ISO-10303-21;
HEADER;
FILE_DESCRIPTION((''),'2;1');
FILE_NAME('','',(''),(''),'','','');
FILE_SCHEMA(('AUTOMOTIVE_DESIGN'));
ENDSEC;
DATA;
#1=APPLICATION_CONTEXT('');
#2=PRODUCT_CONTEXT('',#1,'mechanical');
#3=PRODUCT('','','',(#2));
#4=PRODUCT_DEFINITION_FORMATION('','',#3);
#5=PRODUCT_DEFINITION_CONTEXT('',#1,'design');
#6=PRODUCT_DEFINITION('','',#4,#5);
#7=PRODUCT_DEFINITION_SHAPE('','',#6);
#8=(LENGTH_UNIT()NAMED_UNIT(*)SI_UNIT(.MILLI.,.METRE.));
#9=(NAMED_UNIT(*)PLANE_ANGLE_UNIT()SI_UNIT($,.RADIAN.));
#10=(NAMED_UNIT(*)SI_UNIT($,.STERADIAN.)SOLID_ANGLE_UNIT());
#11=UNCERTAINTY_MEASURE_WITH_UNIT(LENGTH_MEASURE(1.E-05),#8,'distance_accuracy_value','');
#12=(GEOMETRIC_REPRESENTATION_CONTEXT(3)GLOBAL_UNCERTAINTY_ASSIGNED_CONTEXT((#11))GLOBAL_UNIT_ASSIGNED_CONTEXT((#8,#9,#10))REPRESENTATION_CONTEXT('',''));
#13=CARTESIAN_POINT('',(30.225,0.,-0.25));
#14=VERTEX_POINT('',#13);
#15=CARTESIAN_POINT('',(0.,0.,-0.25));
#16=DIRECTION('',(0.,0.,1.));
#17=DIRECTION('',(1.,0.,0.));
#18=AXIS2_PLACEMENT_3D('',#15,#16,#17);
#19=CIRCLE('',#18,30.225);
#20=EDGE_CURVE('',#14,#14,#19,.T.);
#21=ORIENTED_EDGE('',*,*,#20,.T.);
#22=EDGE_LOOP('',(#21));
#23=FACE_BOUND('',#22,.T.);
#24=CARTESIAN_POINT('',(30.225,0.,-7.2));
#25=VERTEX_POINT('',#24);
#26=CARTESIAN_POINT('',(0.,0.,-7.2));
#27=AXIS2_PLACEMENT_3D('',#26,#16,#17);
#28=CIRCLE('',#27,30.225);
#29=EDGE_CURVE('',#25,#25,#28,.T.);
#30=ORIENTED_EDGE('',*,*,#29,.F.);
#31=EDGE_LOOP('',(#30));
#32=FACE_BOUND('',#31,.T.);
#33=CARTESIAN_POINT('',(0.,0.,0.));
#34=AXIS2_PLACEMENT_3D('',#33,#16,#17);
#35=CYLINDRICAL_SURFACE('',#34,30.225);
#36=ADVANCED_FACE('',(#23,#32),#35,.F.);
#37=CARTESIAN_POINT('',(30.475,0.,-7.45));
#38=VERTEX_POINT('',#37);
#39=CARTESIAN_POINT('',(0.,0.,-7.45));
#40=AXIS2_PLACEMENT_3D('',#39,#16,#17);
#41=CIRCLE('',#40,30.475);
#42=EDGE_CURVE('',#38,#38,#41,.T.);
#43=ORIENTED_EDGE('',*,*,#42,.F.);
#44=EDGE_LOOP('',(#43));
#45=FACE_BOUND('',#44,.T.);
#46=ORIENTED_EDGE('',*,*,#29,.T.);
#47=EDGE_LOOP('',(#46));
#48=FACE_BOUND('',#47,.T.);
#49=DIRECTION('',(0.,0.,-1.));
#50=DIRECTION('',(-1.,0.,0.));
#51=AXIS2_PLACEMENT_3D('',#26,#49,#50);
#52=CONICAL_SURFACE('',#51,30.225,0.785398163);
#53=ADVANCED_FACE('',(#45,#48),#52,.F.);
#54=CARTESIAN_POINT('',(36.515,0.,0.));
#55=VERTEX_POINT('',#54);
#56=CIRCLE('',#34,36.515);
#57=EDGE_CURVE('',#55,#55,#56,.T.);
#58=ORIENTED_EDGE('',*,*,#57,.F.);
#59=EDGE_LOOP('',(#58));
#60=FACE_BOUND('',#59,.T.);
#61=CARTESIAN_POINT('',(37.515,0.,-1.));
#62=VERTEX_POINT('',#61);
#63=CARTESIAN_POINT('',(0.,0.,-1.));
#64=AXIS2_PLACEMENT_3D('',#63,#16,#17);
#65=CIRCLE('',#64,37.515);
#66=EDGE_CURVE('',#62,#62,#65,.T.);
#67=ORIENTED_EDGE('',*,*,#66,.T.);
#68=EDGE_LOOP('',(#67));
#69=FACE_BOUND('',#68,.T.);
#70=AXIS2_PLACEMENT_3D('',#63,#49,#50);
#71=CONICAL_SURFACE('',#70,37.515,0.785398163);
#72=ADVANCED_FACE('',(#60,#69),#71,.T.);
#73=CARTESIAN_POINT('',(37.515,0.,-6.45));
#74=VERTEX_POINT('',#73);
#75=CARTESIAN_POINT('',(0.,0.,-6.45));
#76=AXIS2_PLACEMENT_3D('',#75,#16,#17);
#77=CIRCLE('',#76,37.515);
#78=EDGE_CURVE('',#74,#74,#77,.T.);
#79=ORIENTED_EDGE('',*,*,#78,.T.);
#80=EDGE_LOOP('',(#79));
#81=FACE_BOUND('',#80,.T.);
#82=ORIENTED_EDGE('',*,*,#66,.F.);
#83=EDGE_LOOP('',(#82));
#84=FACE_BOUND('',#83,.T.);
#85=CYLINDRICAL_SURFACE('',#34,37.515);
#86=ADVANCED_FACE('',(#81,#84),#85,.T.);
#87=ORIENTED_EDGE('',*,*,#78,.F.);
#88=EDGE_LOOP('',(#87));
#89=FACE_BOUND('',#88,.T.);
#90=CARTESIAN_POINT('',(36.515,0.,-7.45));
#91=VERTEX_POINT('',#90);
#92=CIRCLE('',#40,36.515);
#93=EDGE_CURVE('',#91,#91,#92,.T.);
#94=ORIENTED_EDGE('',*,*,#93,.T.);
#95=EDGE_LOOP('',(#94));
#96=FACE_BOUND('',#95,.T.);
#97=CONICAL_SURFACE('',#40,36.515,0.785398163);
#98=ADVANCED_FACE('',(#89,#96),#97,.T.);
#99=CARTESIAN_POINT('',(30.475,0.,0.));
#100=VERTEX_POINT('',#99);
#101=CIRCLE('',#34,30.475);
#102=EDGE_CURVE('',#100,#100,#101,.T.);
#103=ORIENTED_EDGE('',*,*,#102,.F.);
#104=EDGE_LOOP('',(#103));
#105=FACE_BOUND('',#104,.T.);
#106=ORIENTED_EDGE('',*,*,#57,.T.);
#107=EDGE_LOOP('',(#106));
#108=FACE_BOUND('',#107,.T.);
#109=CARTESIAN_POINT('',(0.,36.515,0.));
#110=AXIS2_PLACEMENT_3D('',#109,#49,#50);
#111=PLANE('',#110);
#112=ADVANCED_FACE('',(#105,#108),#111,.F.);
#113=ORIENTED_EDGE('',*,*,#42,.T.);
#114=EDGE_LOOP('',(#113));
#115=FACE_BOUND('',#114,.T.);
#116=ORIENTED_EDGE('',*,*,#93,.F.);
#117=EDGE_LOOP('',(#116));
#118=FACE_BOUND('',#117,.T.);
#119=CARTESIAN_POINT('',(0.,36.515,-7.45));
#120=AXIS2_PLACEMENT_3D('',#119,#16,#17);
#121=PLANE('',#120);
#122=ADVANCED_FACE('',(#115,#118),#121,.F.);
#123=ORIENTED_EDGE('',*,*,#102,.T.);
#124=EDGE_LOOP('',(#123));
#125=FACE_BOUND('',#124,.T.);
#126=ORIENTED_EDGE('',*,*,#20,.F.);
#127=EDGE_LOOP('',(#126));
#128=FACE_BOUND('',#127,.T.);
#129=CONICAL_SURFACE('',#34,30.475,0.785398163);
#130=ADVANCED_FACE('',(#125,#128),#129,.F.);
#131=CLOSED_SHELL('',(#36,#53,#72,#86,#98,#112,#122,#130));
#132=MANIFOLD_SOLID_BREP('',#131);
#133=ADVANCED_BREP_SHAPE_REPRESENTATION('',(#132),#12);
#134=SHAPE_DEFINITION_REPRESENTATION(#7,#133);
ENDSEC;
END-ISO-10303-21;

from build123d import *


with BuildPart() as part:
    # Sketch1 → Revolve1 (revolve)
    with BuildSketch(Plane(origin=(0, 0, 0), x_dir=(0, 0, -1), z_dir=(1, 0, 0)), mode=Mode.PRIVATE) as revolve1_sk:
        Polygon((0, 30.475), (0.25, 30.225), (7.2, 30.225), (7.45, 30.475), (7.45, 36.515), (6.45, 37.515), (1, 37.515), (0, 36.515), align=None)
    revolve(revolve1_sk.sketch.rotate(Axis((0, 0, 0), (0, 0, -1)), 90), axis=Axis((0, 0, 0), (0, 0, -1)))


solid = part.part
